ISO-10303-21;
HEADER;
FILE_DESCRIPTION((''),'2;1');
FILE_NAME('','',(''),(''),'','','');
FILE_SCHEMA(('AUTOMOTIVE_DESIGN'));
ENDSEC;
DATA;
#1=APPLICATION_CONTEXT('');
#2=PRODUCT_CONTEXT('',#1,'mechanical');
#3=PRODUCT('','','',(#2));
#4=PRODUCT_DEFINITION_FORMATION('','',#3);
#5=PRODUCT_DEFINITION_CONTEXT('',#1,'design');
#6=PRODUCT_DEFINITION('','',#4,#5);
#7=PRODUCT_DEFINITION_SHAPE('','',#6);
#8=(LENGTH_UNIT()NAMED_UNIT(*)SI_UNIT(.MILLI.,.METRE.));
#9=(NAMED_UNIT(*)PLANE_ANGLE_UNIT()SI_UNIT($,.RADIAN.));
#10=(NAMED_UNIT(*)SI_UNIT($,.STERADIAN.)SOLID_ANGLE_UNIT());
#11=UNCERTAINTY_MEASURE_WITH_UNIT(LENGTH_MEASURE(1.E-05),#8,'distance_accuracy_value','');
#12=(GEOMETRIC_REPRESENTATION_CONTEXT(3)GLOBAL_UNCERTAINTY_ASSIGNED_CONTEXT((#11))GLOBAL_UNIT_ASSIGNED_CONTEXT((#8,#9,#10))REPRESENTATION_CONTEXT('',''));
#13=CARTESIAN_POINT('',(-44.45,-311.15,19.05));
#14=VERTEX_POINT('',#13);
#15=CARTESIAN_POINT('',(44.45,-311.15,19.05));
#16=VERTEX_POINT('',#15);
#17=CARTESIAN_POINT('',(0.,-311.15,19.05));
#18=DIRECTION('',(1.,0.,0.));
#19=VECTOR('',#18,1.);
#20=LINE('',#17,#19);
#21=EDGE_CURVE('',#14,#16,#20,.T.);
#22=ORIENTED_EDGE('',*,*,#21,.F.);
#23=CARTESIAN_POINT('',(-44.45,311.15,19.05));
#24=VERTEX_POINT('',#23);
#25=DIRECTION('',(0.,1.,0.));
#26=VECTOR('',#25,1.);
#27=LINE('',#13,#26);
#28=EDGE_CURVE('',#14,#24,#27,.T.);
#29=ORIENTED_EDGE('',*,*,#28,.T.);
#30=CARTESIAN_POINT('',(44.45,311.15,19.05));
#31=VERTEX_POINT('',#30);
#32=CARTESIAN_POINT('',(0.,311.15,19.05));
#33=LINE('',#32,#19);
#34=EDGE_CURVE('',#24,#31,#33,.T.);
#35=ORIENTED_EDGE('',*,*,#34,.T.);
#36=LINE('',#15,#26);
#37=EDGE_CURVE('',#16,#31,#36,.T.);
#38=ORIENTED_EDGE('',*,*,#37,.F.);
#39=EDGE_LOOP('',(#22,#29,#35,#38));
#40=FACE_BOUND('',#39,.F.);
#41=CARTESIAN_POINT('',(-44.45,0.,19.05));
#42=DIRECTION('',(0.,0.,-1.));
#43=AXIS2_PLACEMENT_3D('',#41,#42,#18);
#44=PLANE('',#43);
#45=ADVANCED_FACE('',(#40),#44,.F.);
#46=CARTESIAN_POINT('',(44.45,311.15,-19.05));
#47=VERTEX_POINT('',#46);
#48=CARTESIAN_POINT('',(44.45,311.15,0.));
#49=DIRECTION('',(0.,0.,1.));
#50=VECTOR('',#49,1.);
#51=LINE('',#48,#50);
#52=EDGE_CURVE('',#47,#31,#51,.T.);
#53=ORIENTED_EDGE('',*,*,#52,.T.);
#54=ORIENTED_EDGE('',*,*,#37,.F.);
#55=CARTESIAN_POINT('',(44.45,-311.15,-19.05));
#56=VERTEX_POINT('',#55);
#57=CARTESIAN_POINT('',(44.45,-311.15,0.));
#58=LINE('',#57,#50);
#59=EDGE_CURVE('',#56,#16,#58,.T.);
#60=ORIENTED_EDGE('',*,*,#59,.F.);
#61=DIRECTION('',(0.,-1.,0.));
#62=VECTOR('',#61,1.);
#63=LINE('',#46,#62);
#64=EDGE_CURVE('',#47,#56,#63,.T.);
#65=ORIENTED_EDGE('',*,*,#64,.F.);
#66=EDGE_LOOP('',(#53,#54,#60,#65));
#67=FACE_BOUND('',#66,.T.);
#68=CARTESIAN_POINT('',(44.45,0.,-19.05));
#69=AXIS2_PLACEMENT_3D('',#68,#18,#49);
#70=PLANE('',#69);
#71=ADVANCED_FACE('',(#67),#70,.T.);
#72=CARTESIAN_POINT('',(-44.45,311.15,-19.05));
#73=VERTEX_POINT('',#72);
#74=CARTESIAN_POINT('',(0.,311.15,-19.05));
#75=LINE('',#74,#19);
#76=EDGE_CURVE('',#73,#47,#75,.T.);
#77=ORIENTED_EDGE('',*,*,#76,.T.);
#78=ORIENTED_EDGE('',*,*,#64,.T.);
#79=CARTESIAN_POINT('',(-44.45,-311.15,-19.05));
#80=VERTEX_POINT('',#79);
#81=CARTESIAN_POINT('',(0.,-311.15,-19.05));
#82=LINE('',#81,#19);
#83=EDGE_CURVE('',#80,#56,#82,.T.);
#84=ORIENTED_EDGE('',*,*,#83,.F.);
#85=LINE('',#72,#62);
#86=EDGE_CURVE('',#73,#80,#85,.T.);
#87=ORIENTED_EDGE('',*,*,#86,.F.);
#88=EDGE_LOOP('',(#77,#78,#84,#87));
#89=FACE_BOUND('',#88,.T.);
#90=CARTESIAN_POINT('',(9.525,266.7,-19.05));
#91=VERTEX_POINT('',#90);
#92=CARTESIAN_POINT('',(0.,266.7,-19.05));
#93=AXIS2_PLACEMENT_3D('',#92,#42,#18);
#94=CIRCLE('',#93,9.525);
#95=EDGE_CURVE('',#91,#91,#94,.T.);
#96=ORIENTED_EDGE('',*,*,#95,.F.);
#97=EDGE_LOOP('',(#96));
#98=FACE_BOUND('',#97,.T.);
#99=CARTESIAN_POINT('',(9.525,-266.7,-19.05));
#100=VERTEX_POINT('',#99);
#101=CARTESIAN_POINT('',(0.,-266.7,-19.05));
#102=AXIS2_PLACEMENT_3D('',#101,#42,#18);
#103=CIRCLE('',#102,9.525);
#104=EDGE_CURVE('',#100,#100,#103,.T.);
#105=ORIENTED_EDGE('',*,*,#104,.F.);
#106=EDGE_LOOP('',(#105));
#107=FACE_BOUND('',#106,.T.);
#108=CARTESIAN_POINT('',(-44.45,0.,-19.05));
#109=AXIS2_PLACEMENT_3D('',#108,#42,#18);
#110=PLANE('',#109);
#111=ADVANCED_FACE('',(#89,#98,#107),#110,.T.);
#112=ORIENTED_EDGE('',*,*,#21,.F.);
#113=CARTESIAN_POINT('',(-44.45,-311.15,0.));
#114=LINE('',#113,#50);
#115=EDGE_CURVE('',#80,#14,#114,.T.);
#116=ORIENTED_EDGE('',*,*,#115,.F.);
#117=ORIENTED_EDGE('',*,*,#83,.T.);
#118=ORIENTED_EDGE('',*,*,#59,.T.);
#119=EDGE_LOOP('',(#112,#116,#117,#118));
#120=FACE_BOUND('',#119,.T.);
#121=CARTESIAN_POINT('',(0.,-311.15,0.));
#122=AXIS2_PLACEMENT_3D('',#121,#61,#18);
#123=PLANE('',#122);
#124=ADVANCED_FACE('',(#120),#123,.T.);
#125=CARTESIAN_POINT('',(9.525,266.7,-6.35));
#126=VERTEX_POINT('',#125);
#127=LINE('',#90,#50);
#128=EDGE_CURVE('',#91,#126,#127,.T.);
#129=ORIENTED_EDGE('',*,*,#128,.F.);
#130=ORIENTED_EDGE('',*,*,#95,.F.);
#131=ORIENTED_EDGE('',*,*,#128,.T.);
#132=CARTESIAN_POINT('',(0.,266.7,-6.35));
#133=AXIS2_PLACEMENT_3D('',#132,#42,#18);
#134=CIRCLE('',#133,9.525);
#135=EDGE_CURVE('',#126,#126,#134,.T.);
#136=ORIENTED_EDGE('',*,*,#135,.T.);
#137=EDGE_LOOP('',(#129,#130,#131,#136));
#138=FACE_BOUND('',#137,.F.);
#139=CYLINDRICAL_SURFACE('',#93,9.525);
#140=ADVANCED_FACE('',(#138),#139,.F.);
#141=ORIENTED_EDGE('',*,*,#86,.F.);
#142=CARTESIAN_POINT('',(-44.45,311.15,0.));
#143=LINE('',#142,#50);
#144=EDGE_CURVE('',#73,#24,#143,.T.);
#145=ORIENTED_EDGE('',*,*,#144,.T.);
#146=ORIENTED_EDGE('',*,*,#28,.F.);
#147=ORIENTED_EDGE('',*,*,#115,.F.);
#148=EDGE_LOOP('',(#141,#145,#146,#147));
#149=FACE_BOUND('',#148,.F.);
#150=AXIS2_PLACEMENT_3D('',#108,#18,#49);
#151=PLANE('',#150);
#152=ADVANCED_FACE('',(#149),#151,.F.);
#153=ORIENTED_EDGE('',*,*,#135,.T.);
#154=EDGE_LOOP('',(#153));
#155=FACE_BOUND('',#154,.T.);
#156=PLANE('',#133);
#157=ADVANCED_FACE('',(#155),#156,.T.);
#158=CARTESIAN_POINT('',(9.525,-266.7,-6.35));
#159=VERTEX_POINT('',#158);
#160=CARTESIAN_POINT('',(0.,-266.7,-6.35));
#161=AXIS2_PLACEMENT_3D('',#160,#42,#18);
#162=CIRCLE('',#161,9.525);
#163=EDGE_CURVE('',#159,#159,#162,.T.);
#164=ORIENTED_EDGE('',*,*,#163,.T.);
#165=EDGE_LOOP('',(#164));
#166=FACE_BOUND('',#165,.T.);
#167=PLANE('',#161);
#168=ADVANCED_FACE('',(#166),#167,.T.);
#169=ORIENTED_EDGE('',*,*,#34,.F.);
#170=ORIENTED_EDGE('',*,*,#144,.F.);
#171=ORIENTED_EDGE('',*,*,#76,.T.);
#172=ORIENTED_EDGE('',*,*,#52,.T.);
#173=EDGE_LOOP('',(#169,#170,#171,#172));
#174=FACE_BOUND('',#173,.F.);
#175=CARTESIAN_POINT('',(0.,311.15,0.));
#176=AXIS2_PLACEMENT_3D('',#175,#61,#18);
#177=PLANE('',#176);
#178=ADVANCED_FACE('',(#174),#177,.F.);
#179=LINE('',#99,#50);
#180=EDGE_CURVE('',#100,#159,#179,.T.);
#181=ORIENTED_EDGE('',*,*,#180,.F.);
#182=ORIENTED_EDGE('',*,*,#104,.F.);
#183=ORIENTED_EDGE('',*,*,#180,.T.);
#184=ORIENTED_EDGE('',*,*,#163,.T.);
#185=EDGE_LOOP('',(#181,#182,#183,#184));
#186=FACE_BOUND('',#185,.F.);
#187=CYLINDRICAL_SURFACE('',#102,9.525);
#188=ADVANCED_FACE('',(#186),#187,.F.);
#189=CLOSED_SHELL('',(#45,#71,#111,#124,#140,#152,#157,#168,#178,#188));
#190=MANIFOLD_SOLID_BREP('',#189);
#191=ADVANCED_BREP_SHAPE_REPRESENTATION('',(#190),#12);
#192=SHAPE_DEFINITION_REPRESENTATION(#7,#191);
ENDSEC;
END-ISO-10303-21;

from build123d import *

# Parameters (mm, degrees)
F0_W     = 88.9
F0_H     = 38.1
F1_DEPTH = 311.15
F2_R     = 9.525
F3_DEPTH = 12.7


with BuildPart() as f1:
    # F0 (on Front) → F1 (new body, symmetric)
    with BuildSketch(Plane.XZ):
        Rectangle(F0_W, F0_H)
    extrude(amount=F1_DEPTH, both=True)

    # F2 (on face) → F3 (cut)
    with BuildSketch(Plane(origin=(0, 0, -19.05), x_dir=(1, 0, 0), z_dir=(0, 0, -1))):
        with Locations((0, 266.7)):
            Circle(F2_R)
        with Locations((0, -266.7)):
            Circle(F2_R)
    extrude(amount=-F3_DEPTH, mode=Mode.SUBTRACT)


solid = f1.part
